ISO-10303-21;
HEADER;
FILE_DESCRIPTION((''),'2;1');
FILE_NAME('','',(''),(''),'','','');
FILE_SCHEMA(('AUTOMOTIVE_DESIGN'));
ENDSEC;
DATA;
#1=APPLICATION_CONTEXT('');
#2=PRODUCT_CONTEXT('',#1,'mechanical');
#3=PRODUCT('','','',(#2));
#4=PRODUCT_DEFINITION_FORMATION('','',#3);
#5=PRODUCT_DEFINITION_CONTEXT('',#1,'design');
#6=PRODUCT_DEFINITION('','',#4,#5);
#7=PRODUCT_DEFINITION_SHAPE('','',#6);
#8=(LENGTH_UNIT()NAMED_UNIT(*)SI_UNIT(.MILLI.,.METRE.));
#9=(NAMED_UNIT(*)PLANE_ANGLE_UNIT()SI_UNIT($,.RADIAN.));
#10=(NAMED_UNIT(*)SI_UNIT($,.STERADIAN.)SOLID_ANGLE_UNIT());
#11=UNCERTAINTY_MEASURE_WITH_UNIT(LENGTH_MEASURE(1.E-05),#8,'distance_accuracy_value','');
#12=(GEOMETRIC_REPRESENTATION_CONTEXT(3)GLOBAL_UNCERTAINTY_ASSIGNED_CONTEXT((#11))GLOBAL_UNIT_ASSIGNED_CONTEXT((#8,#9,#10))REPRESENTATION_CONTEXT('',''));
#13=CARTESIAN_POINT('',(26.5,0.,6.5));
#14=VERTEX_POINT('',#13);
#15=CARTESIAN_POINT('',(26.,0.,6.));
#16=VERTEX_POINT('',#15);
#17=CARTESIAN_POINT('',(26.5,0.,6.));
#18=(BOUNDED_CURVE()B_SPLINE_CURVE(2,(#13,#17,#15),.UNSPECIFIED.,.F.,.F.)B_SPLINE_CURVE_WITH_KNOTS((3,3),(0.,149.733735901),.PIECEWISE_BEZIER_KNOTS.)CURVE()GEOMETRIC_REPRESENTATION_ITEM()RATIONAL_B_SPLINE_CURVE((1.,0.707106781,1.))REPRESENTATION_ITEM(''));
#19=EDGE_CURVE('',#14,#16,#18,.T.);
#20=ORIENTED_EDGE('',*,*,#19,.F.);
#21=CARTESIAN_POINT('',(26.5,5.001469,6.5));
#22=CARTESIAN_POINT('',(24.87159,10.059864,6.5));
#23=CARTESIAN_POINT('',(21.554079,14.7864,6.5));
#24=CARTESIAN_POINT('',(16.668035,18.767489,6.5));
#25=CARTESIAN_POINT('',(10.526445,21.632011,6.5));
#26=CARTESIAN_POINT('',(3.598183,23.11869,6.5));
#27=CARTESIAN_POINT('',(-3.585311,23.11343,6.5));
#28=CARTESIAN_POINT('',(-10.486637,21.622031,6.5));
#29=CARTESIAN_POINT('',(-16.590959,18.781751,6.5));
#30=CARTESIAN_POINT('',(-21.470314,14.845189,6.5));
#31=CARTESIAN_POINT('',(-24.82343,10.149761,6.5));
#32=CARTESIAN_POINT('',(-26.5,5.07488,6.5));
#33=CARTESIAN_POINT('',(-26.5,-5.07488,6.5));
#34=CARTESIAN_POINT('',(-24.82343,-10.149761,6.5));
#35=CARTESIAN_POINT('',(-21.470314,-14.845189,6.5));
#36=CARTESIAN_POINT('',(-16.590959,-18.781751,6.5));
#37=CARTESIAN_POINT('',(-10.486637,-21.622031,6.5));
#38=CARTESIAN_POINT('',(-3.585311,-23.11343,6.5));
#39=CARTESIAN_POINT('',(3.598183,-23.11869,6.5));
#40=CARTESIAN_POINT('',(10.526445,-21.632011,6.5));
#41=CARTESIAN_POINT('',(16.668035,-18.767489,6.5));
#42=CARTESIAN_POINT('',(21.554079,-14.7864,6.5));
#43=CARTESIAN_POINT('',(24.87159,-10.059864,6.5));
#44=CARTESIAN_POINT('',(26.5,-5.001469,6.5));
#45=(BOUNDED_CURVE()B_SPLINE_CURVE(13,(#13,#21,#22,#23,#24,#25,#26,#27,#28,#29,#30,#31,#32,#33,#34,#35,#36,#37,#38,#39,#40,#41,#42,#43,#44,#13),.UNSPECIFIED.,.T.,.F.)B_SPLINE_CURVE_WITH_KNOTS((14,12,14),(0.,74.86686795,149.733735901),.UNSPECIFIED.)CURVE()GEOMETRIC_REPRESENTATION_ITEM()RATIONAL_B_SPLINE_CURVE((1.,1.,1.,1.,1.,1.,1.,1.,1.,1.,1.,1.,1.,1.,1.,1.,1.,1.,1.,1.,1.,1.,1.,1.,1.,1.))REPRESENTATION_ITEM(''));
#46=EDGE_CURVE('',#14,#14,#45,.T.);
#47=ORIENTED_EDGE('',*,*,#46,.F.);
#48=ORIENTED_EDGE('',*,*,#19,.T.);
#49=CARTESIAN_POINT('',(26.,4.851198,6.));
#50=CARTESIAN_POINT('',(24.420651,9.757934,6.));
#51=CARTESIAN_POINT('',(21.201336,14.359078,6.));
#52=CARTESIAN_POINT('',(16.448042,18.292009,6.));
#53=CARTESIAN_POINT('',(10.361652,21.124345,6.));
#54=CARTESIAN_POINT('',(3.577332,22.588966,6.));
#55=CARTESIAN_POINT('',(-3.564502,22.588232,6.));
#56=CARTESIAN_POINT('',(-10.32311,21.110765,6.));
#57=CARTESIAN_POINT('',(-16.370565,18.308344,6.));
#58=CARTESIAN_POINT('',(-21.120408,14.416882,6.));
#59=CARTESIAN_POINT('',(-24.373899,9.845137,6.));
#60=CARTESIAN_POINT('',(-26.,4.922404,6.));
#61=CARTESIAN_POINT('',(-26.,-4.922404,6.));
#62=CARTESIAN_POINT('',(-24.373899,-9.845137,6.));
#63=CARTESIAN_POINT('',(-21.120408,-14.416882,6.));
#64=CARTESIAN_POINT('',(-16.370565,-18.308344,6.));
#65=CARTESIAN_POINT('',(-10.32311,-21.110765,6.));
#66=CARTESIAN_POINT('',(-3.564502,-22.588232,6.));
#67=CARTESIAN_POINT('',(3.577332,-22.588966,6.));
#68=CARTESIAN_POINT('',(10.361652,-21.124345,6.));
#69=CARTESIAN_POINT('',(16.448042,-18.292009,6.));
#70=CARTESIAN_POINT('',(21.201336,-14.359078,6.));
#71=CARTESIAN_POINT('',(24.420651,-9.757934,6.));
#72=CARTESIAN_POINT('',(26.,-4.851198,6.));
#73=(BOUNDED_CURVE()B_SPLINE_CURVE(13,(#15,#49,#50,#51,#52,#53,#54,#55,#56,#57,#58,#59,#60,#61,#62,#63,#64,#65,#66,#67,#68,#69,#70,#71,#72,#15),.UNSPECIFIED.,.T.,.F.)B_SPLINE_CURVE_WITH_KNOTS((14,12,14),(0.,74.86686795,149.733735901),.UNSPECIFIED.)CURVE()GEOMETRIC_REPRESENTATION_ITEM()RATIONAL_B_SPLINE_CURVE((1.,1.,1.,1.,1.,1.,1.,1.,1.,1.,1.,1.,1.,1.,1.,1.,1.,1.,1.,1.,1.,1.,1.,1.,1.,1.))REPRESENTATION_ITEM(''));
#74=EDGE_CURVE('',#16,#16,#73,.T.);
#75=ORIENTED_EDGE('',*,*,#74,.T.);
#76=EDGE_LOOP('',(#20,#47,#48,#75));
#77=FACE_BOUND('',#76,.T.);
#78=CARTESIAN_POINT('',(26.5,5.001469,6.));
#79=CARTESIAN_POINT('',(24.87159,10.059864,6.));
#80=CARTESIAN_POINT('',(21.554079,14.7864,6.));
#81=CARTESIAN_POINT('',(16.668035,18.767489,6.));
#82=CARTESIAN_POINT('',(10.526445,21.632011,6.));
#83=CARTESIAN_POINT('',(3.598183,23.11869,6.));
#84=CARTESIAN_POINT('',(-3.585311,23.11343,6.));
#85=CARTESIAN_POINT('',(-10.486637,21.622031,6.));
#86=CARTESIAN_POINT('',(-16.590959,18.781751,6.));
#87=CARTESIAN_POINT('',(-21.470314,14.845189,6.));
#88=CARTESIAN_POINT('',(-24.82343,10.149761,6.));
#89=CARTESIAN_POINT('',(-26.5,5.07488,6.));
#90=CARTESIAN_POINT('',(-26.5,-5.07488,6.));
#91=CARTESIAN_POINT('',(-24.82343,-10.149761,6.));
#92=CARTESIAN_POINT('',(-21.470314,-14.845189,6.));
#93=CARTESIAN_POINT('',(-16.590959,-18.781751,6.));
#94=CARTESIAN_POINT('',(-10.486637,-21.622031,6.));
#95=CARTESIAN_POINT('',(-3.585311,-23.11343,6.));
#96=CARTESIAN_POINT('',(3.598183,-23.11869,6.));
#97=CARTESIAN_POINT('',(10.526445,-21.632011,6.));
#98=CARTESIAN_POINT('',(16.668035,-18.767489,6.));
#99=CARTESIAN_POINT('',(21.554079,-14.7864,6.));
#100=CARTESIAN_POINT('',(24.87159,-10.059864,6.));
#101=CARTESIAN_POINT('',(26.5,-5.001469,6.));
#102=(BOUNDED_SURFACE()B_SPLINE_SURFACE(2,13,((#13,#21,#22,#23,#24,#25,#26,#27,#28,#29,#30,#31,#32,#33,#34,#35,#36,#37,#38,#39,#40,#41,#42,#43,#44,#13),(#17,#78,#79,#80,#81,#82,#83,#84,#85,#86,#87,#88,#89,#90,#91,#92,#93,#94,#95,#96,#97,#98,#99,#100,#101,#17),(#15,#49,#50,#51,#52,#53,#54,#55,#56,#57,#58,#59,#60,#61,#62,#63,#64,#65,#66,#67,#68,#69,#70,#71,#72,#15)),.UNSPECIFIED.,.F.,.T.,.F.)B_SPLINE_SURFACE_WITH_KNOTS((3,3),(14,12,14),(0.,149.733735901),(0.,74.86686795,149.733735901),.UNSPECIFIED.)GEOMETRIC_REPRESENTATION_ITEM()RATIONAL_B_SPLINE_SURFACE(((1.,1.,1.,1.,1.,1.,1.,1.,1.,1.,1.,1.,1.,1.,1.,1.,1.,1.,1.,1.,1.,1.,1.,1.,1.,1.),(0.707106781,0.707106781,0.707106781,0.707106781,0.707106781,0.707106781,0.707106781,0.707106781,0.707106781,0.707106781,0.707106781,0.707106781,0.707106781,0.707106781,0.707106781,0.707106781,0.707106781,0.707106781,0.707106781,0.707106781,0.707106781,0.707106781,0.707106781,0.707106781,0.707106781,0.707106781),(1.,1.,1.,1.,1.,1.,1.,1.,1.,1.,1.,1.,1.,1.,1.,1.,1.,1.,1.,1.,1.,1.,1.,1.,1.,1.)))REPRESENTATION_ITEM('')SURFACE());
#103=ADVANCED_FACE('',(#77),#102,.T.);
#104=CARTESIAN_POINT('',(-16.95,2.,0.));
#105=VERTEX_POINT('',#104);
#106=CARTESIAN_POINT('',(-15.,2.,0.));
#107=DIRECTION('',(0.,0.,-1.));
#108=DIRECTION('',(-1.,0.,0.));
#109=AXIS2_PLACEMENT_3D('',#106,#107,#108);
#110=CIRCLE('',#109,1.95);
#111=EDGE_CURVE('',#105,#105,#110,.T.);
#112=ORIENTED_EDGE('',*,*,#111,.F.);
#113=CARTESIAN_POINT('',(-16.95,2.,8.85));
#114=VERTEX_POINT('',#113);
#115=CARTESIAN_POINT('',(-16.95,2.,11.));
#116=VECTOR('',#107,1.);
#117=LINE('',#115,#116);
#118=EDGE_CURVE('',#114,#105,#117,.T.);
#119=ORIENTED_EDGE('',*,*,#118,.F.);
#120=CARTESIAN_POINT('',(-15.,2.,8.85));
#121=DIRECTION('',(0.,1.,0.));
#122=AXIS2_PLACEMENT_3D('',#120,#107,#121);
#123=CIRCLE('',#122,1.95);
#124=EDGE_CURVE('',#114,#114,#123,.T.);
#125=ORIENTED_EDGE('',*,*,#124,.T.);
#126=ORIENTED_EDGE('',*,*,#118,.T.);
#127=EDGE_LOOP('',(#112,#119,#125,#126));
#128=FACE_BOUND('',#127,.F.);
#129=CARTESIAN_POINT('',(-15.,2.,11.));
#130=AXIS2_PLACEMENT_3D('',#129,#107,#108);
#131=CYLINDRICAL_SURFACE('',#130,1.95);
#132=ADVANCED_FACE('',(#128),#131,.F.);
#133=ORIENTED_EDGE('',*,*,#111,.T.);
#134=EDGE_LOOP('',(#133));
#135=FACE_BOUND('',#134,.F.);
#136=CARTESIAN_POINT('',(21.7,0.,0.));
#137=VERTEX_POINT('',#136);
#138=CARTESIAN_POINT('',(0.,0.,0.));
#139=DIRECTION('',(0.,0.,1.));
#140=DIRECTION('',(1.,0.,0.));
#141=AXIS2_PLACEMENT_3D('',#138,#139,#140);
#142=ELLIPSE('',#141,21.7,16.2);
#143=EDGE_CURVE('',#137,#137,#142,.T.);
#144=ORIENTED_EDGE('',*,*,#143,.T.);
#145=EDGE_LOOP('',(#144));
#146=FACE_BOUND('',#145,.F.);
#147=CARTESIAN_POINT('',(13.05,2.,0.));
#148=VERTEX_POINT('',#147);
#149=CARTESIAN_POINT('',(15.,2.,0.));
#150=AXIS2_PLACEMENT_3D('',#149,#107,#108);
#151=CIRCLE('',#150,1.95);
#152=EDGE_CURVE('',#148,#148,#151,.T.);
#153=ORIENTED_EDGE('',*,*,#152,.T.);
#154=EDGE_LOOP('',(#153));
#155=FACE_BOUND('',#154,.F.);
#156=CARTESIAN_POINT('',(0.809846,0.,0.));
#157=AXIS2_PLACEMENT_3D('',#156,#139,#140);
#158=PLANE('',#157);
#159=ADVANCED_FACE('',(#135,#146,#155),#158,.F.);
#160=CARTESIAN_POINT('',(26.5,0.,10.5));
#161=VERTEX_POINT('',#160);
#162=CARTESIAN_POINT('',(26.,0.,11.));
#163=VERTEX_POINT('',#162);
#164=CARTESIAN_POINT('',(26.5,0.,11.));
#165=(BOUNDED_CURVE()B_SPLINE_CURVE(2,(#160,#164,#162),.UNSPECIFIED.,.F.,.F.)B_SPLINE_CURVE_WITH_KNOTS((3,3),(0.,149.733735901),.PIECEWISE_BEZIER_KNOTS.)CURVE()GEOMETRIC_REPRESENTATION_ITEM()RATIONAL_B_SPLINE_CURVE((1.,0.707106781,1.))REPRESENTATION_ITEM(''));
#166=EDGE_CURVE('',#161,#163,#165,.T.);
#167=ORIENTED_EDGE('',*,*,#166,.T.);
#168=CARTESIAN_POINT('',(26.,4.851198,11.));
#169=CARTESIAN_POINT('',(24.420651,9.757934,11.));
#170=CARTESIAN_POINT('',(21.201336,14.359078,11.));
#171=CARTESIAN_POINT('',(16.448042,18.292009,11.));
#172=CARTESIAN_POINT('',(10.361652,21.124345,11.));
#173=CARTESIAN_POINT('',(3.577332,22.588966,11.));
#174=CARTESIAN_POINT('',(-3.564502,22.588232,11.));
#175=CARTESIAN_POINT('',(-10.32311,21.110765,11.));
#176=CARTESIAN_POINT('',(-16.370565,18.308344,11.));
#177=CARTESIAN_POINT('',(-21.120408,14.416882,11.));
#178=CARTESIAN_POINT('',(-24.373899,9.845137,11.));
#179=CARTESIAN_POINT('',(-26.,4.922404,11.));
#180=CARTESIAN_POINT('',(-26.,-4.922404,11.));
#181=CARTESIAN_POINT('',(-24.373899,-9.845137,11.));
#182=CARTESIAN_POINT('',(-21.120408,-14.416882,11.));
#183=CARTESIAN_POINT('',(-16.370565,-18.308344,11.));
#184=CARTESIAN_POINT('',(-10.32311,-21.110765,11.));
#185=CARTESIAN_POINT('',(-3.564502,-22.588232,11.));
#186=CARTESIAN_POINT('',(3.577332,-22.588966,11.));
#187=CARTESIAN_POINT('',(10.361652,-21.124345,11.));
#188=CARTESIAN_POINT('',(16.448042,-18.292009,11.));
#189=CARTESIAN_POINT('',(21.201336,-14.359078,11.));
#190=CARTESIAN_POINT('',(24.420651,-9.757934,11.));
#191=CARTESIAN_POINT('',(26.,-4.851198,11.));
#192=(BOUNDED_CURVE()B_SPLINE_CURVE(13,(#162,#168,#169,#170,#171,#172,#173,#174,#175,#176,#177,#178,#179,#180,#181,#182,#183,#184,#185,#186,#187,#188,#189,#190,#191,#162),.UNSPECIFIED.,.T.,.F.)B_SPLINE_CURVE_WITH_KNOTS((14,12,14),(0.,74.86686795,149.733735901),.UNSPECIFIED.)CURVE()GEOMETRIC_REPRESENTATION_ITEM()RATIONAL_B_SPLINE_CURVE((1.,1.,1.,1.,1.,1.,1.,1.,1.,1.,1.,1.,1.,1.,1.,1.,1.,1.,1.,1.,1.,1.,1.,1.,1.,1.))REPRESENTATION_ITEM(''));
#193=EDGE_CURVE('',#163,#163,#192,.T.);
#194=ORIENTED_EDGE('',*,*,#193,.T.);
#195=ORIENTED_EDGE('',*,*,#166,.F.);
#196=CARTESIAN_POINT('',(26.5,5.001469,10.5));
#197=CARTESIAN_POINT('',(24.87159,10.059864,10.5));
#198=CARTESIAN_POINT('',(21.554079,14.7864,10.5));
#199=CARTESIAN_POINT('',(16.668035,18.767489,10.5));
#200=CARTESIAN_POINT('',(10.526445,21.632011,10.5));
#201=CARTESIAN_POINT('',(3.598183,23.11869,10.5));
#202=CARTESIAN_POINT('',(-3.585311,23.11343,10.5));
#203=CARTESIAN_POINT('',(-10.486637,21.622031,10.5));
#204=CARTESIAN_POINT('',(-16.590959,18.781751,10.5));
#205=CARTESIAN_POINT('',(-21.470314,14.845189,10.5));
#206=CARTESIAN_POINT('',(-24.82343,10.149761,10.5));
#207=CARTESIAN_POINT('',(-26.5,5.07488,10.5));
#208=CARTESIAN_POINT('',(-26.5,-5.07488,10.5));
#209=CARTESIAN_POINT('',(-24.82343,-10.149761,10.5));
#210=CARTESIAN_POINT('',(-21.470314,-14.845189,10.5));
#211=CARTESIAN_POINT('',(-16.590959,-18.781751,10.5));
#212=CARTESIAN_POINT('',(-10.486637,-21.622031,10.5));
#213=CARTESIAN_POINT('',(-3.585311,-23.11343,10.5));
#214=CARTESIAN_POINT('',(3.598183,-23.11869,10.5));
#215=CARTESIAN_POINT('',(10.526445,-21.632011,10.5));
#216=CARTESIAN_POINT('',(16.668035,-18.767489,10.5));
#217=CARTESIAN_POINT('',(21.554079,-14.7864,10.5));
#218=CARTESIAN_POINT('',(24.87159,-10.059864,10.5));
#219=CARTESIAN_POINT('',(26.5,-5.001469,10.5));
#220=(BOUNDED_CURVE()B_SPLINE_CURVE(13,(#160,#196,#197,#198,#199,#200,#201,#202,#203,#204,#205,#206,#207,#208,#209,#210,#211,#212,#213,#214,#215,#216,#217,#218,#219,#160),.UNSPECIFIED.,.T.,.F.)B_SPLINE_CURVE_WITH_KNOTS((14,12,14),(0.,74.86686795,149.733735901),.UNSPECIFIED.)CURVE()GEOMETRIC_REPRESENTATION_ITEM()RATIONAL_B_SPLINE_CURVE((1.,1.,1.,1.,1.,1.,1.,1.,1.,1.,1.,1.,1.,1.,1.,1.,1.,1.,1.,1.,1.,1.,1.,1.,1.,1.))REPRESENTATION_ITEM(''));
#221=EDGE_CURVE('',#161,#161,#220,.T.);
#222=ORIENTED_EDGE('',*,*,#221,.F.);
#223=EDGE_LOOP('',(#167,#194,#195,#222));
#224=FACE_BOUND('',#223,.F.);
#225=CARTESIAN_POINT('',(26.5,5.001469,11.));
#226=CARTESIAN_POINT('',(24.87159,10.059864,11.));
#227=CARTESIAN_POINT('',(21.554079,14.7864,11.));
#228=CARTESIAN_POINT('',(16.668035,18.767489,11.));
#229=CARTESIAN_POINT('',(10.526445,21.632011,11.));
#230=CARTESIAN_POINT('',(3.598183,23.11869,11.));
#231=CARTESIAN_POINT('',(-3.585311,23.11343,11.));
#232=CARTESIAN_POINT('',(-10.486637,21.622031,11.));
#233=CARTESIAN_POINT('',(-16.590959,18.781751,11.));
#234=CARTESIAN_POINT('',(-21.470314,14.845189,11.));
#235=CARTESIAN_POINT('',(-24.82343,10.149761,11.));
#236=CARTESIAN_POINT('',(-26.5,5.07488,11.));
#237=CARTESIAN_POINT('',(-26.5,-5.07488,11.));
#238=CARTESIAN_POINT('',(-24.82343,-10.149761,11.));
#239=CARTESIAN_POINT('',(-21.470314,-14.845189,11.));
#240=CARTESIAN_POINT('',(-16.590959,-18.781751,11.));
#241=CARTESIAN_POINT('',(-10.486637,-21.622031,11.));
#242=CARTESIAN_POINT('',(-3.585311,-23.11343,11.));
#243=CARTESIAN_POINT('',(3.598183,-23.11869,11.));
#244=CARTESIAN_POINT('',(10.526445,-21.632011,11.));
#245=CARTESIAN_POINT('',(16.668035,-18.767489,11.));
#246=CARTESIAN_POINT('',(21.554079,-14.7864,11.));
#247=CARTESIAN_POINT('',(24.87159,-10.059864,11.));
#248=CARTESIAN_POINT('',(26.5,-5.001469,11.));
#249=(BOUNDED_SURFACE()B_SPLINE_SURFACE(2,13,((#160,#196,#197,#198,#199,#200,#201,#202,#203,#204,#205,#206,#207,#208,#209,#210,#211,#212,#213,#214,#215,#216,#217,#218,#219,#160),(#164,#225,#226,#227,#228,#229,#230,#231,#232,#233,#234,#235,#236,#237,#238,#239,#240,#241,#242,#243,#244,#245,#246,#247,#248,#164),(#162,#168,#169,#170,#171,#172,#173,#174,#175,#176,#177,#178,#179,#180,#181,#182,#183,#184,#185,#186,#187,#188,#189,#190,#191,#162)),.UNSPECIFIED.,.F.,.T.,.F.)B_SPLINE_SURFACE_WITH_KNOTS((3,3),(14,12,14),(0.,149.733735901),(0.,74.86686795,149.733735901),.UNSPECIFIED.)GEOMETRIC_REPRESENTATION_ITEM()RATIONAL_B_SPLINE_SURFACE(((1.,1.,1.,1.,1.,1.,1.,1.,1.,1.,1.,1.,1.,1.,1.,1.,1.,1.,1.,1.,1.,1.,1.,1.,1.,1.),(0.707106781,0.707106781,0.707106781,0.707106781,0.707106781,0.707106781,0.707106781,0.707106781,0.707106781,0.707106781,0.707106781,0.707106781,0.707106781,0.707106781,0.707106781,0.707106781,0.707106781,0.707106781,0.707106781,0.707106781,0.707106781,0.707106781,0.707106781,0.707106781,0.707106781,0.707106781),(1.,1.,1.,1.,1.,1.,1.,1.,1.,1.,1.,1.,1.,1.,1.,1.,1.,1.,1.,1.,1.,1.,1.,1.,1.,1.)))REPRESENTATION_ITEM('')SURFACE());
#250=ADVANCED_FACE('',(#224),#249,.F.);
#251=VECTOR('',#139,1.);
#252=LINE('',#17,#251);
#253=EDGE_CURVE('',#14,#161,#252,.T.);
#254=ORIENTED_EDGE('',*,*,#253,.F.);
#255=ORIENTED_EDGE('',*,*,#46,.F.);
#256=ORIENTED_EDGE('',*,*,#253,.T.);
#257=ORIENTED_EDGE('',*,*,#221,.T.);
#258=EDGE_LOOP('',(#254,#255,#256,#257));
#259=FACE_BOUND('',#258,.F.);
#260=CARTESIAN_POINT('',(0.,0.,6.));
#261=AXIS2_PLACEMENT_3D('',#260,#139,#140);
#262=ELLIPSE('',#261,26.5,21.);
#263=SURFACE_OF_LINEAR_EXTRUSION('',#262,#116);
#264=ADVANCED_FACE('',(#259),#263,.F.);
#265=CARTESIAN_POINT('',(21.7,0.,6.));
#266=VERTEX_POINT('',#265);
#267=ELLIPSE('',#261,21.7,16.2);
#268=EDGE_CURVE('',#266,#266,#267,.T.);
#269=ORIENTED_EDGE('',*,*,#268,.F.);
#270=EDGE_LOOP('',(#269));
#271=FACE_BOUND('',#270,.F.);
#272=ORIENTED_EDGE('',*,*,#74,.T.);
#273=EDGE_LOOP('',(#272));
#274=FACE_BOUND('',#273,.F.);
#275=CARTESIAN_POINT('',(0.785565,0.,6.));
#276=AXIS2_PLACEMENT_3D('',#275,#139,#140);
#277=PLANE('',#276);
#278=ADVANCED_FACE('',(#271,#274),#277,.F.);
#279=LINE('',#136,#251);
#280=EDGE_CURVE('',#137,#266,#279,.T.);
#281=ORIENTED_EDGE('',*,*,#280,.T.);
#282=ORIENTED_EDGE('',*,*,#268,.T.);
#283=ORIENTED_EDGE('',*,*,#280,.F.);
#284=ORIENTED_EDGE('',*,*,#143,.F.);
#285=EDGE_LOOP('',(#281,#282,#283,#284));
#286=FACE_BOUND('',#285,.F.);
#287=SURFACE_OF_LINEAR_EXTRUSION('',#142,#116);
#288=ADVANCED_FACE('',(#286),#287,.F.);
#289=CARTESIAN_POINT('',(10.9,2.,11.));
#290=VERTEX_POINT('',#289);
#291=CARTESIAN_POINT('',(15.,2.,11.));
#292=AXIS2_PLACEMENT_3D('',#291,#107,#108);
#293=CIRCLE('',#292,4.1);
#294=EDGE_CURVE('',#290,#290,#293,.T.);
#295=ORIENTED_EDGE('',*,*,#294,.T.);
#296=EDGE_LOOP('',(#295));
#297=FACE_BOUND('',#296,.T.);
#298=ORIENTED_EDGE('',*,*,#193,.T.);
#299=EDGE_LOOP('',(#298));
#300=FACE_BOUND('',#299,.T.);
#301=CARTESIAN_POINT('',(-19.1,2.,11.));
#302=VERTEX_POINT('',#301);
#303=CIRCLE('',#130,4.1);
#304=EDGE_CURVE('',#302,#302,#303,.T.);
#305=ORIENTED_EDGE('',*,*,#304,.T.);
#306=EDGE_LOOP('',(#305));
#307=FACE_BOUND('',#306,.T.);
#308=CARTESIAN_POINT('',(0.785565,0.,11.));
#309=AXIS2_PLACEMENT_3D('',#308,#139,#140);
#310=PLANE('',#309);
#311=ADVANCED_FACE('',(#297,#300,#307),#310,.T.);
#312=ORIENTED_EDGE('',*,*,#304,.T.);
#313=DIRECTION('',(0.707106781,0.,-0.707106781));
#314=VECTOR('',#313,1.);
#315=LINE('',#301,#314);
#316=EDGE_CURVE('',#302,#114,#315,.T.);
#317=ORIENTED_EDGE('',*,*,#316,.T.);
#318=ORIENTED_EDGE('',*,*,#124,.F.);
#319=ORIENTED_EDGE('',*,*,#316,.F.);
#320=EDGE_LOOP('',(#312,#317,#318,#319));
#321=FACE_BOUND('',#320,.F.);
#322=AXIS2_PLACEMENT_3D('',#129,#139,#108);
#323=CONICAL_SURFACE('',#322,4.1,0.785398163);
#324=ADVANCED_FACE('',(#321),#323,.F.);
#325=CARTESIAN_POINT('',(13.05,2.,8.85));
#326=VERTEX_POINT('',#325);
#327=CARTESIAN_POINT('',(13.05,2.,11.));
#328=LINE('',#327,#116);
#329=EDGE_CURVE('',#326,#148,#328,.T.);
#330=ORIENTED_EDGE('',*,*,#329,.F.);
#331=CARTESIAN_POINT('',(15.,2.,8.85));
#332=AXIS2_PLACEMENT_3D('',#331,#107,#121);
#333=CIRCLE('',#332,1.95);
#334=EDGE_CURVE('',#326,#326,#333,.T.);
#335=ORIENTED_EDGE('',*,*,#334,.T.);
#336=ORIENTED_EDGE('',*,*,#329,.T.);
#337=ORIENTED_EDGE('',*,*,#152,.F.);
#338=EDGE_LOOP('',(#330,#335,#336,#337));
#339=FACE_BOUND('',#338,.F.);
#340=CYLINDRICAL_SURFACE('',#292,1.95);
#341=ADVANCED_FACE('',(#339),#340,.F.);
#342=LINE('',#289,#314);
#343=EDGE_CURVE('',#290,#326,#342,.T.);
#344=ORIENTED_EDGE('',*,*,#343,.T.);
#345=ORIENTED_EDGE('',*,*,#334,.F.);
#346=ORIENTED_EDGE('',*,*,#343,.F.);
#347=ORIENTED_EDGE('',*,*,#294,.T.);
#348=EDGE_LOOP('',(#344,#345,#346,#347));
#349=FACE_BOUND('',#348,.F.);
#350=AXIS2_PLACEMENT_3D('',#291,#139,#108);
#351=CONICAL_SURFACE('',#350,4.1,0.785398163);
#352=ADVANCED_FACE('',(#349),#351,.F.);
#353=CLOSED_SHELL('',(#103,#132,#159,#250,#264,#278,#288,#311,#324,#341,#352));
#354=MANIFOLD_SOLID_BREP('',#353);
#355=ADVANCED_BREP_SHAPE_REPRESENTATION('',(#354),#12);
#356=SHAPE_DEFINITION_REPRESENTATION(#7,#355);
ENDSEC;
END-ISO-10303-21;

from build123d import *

# Parameters (mm, degrees)
SKIZZE1_RX                                           = 21.7
SKIZZE1_RY                                           = 16.2
AUFSATZ_LINEAR_AUSTRAGEN1_DEPTH                      = 6
SKIZZE2_RX                                           = 26.5
SKIZZE2_RY                                           = 21
AUFSATZ_LINEAR_AUSTRAGEN2_DEPTH                      = 5
FORMSENKUNG_F_R_M3_5_LINSENSENKSCHRAUBE1_D           = 3.9
FORMSENKUNG_F_R_M3_5_LINSENSENKSCHRAUBE1_CSINK_D     = 8.2
FORMSENKUNG_F_R_M3_5_LINSENSENKSCHRAUBE1_CSINK_ANGLE = 90
VERRUNDUNG1_R                                        = 0.5


with BuildPart() as part:
    # Skizze1 → Aufsatz-Linear austragen1 (new body)
    with BuildSketch(Plane.XY):
        with Locations((0, 0)):
            Ellipse(SKIZZE1_RX, SKIZZE1_RY)
    extrude(amount=AUFSATZ_LINEAR_AUSTRAGEN1_DEPTH)

    # Skizze2 → Aufsatz-Linear austragen2 (add)
    with BuildSketch(Plane.XY.offset(6)):
        with Locations((0, 0)):
            Ellipse(SKIZZE2_RX, SKIZZE2_RY)
    extrude(amount=AUFSATZ_LINEAR_AUSTRAGEN2_DEPTH)

    # Formsenkung für M3.5 Linsensenkschraube1 (through all)
    with Locations(Plane(origin=(-15, 2, 11), x_dir=(1, 0, 0), z_dir=(0, 0, 1))):
        with Locations((0, 0), (30, 0)):
            CounterSinkHole(FORMSENKUNG_F_R_M3_5_LINSENSENKSCHRAUBE1_D / 2, FORMSENKUNG_F_R_M3_5_LINSENSENKSCHRAUBE1_CSINK_D / 2, counter_sink_angle=FORMSENKUNG_F_R_M3_5_LINSENSENKSCHRAUBE1_CSINK_ANGLE)

    # Verrundung1
    verrundung1_edges = [part.edges().sort_by_distance(p)[0] for p in [
        (-26.499999579, -0.00374494, 6),
        (-26.499999579, -0.00374494, 11),
    ]]
    fillet(verrundung1_edges, radius=VERRUNDUNG1_R)


solid = part.part
